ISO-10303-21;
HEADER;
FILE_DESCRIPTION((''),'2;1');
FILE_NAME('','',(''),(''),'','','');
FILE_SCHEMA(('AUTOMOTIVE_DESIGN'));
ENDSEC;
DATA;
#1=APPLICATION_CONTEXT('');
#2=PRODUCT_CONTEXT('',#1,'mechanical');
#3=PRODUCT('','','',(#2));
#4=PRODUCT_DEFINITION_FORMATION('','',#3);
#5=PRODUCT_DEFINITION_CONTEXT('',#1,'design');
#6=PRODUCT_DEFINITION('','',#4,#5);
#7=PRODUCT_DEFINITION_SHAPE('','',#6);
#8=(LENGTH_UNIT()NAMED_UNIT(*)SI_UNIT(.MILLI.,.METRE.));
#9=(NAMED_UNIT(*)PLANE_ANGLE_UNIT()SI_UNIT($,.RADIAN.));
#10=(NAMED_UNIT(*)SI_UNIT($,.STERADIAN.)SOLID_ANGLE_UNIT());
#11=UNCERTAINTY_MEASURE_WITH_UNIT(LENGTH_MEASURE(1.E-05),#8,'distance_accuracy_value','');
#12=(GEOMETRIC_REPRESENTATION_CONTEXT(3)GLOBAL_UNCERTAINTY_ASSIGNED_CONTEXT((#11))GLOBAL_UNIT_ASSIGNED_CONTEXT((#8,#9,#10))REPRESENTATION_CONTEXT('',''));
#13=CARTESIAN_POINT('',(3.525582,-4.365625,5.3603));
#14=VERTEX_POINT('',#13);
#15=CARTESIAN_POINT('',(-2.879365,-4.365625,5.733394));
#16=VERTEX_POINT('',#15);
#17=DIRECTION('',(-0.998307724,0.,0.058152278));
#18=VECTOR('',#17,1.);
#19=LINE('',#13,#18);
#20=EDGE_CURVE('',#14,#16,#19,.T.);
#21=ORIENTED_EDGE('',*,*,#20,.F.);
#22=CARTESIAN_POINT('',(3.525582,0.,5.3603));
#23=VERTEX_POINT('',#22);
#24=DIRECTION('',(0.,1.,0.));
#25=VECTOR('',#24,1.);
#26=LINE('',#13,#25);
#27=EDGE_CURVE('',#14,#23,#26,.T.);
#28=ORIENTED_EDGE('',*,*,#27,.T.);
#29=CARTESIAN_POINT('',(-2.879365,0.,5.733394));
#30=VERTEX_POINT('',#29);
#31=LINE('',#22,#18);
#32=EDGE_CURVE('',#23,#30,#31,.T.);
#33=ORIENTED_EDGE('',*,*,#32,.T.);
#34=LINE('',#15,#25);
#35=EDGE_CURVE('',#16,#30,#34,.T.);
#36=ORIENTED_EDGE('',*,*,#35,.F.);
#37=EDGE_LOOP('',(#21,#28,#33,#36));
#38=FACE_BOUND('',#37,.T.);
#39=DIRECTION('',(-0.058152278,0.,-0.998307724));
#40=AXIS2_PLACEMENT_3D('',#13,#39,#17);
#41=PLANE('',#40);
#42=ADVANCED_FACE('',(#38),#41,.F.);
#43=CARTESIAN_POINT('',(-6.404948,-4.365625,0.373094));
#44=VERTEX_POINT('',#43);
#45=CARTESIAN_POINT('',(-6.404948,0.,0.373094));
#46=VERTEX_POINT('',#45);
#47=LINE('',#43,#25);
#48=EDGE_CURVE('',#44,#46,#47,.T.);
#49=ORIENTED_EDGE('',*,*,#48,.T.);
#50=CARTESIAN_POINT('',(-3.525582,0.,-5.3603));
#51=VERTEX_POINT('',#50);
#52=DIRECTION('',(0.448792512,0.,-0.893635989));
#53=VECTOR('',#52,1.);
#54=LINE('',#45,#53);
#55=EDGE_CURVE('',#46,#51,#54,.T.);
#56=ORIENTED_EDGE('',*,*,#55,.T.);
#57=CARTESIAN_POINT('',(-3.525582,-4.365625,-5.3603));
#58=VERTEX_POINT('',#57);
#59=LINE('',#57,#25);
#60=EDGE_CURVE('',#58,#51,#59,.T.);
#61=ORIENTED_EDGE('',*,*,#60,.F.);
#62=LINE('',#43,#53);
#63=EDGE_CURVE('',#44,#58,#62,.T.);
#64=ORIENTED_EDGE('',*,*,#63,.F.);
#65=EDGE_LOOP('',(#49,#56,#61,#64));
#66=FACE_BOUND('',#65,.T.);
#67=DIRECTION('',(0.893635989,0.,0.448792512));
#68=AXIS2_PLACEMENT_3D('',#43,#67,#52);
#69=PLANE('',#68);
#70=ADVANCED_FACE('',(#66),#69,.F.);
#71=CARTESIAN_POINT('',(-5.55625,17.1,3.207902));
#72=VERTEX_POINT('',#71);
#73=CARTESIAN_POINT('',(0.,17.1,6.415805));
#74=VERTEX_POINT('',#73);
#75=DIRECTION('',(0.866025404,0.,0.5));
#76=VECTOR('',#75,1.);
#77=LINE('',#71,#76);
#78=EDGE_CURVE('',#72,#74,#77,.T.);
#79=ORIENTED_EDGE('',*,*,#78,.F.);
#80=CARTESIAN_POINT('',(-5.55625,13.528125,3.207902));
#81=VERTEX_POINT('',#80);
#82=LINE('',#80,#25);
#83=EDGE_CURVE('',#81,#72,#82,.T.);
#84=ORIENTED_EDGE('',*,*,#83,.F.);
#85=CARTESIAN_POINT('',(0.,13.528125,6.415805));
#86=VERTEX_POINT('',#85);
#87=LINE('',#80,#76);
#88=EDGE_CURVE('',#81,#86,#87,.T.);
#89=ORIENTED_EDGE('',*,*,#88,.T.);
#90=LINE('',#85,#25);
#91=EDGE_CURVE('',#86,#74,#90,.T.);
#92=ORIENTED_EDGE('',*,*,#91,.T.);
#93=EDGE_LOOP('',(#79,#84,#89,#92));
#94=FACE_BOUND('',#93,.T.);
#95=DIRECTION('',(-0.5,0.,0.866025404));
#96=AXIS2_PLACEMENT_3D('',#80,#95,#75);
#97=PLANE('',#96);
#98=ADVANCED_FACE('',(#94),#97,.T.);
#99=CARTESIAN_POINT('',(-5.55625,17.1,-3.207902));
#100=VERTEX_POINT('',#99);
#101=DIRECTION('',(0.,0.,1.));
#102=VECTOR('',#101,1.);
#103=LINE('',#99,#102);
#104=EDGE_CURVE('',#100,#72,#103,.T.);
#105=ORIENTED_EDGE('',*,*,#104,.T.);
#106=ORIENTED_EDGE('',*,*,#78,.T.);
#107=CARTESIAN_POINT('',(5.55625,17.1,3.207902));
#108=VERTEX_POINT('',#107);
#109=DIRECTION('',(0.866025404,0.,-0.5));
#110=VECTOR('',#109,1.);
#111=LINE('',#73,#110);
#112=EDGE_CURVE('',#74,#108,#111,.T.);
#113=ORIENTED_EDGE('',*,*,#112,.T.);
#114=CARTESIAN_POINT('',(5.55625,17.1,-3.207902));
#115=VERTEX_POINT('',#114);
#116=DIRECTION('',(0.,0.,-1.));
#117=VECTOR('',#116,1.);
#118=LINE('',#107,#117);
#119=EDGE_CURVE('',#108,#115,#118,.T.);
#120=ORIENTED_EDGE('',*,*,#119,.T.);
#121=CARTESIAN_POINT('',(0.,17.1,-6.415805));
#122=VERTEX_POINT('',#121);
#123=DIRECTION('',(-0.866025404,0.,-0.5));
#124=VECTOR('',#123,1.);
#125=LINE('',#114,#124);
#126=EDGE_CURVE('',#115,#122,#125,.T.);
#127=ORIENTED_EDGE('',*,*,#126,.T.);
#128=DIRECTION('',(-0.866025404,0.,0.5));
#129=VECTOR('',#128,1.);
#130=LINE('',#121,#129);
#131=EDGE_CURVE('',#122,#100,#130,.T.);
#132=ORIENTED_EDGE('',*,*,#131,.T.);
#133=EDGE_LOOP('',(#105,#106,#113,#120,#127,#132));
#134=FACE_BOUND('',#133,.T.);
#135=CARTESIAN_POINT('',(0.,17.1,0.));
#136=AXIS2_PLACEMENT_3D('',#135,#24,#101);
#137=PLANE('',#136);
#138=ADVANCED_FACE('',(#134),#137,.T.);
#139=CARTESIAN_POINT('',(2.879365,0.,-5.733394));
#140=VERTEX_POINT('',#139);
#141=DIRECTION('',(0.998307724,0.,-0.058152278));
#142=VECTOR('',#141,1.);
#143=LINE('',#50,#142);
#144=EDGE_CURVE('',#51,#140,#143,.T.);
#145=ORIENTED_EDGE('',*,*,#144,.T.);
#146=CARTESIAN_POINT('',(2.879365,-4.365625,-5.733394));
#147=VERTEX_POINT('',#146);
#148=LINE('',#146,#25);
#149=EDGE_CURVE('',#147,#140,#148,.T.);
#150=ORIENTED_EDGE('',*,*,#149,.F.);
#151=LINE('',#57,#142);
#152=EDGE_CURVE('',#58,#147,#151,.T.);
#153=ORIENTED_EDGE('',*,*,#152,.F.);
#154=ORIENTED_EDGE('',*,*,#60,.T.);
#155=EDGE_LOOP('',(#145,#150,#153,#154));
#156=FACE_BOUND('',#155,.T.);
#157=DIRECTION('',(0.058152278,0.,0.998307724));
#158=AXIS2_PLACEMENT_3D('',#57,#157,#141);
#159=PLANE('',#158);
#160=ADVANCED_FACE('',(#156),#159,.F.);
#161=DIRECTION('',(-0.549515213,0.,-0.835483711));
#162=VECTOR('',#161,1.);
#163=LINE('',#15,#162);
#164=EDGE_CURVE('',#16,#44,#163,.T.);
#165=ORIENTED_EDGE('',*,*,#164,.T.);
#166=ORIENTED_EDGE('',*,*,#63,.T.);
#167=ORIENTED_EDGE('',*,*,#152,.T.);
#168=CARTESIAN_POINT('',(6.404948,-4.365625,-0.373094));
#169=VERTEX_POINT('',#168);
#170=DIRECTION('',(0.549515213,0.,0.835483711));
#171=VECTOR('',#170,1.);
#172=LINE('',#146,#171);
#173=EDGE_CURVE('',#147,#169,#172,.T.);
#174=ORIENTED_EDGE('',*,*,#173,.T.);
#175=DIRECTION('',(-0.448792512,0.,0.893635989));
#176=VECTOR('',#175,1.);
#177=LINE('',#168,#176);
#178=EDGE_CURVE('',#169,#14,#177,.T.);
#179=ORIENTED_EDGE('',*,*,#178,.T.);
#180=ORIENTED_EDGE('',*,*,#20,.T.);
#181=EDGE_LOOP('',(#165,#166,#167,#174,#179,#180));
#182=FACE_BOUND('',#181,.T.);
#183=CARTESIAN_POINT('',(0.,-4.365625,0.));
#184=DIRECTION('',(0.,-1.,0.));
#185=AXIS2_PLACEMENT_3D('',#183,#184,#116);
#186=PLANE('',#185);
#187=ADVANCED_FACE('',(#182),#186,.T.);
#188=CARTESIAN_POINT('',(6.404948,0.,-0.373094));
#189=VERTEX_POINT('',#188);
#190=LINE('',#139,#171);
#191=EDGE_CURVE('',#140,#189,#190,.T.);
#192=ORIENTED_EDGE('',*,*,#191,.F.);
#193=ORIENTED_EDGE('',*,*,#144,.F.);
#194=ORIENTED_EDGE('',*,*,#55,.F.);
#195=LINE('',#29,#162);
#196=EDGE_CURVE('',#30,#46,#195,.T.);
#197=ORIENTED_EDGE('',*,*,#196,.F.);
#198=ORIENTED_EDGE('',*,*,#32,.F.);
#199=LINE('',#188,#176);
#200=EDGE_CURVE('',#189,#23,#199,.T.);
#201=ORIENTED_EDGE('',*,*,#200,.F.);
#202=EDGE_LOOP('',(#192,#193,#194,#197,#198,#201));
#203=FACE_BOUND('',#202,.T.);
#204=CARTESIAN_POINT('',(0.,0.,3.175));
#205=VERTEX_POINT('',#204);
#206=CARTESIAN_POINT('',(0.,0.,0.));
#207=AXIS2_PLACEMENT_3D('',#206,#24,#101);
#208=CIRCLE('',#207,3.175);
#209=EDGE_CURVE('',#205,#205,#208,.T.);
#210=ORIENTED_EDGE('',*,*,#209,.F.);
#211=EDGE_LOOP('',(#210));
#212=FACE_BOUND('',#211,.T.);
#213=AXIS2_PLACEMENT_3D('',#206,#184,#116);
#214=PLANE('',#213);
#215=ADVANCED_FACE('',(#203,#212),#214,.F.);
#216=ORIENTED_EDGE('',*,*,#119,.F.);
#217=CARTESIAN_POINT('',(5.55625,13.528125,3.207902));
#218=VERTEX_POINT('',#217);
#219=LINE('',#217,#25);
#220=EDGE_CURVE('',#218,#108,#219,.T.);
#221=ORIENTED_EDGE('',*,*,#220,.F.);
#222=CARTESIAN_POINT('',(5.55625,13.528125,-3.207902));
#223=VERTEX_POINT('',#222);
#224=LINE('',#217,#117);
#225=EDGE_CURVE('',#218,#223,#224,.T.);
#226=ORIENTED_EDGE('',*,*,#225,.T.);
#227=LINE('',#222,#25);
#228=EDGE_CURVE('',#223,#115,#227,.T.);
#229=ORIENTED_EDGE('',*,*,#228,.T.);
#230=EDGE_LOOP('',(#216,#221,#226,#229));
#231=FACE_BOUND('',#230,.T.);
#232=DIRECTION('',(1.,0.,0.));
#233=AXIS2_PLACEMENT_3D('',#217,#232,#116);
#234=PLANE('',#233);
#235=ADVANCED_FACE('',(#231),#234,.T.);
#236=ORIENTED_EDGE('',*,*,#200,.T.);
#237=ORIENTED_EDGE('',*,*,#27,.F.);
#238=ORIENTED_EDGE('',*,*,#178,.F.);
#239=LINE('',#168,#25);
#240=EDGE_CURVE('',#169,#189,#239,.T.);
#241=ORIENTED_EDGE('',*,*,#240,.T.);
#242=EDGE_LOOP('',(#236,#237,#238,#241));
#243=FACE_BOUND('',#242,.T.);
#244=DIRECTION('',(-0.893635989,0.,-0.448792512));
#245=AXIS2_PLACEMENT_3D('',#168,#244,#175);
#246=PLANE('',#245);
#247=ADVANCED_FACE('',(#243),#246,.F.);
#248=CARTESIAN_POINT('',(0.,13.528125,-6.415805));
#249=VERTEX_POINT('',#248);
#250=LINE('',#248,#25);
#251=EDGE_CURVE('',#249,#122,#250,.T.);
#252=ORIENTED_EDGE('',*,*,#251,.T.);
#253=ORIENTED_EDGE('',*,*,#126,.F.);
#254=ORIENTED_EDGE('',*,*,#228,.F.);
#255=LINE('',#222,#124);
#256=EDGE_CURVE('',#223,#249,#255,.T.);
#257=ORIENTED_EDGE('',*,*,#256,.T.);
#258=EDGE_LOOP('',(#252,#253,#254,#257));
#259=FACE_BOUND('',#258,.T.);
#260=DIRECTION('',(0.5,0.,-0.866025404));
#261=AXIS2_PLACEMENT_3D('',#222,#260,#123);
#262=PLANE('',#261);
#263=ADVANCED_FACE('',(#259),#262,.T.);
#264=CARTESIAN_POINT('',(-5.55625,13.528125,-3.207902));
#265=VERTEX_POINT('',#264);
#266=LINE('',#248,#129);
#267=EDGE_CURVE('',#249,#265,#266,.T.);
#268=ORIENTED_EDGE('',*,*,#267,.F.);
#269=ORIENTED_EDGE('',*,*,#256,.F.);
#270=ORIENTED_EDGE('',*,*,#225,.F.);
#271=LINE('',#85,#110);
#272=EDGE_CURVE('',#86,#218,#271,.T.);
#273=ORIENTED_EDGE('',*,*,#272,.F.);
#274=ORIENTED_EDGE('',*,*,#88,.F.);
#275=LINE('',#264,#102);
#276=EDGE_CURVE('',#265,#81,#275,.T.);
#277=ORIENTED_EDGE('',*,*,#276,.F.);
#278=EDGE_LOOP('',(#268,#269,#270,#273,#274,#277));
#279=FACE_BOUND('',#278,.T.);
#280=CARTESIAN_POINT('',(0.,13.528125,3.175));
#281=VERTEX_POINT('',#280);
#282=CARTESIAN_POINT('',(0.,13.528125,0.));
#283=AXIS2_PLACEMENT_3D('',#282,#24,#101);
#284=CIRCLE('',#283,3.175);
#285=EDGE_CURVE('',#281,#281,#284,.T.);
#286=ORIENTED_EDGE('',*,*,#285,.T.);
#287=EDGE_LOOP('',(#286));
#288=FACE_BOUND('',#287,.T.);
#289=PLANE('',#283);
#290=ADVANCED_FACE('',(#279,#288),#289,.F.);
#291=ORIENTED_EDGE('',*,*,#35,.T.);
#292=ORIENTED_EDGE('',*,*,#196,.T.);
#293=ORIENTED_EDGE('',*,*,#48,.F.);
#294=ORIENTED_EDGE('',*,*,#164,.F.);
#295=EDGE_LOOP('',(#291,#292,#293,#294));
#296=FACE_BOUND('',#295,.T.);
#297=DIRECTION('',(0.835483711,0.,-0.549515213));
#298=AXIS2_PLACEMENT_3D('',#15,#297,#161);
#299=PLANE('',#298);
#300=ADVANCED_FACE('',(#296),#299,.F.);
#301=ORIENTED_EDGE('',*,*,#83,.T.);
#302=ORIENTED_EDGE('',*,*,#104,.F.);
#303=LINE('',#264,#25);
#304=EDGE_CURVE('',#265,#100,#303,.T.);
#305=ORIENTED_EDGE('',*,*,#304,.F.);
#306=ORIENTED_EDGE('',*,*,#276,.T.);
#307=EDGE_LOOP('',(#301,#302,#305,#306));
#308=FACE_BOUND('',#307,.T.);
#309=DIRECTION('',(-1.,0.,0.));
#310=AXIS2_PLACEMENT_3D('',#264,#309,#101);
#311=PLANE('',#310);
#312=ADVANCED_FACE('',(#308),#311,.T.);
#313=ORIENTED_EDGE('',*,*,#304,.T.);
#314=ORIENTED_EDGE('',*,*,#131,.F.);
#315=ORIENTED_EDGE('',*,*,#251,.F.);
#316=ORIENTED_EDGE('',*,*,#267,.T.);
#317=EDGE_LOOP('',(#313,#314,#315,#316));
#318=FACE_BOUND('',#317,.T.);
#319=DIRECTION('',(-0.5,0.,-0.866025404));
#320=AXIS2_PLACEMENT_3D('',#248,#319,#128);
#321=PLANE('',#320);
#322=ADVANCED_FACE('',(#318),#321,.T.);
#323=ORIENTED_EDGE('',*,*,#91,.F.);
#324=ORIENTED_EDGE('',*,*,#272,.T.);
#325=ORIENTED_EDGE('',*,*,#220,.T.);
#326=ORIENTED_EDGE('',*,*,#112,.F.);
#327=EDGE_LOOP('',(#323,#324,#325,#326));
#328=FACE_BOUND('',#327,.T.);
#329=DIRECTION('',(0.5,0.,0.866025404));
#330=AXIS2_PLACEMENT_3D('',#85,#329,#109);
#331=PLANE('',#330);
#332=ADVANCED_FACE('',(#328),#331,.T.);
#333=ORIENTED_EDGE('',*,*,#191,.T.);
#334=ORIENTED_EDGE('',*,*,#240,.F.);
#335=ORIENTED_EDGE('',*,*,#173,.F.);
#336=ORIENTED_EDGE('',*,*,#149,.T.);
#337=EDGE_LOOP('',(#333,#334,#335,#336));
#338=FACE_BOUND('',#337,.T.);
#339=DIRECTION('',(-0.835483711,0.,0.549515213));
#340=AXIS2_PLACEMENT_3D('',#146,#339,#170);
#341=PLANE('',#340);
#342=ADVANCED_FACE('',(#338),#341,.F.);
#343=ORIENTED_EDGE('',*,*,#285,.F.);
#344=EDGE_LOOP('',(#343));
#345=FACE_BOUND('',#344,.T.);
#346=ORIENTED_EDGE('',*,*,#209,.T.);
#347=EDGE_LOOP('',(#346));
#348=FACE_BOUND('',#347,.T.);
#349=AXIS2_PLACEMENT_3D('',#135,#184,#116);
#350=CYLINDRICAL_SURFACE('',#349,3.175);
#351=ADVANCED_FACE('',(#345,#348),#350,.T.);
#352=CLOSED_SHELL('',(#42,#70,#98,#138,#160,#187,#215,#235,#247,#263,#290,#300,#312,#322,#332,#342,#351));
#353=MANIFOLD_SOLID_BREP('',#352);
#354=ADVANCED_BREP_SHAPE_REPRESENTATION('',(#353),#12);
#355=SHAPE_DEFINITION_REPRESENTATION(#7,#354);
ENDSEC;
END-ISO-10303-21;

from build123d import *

# Parameters (mm, degrees)
SKETCH1_R           = 3.175
BOSS_EXTRUDE1_DEPTH = 17.1
BOSS_EXTRUDE2_DEPTH = 4.365625
BOSS_EXTRUDE3_DEPTH = 3.571875


with BuildPart() as part:
    # Sketch1 → Boss-Extrude1 (new body)
    with BuildSketch(Plane(origin=(0, 0, 0), x_dir=(1, 0, 0), z_dir=(0, 1, 0))):
        Circle(SKETCH1_R)
    extrude(amount=BOSS_EXTRUDE1_DEPTH)

    # Sketch2 → Boss-Extrude2 (add)
    with BuildSketch(Plane.XZ):
        Polygon((6.404947556, -0.373093671), (3.525582375, 5.360300458), (-2.879365181, 5.733394129), (-6.404947556, 0.373093671), (-3.525582375, -5.360300458), (2.879365181, -5.733394129), align=None)
    extrude(amount=BOSS_EXTRUDE2_DEPTH)

    # Sketch3 → Boss-Extrude3 (add)
    with BuildSketch(Plane(origin=(0, 17.1, 0), x_dir=(1, 0, 0), z_dir=(0, 1, 0))):
        Polygon((0, 6.415804866), (-5.55625, 3.207902433), (-5.55625, -3.207902433), (0, -6.415804866), (5.55625, -3.207902433), (5.55625, 3.207902433), align=None)
    extrude(amount=-BOSS_EXTRUDE3_DEPTH)


solid = part.part
